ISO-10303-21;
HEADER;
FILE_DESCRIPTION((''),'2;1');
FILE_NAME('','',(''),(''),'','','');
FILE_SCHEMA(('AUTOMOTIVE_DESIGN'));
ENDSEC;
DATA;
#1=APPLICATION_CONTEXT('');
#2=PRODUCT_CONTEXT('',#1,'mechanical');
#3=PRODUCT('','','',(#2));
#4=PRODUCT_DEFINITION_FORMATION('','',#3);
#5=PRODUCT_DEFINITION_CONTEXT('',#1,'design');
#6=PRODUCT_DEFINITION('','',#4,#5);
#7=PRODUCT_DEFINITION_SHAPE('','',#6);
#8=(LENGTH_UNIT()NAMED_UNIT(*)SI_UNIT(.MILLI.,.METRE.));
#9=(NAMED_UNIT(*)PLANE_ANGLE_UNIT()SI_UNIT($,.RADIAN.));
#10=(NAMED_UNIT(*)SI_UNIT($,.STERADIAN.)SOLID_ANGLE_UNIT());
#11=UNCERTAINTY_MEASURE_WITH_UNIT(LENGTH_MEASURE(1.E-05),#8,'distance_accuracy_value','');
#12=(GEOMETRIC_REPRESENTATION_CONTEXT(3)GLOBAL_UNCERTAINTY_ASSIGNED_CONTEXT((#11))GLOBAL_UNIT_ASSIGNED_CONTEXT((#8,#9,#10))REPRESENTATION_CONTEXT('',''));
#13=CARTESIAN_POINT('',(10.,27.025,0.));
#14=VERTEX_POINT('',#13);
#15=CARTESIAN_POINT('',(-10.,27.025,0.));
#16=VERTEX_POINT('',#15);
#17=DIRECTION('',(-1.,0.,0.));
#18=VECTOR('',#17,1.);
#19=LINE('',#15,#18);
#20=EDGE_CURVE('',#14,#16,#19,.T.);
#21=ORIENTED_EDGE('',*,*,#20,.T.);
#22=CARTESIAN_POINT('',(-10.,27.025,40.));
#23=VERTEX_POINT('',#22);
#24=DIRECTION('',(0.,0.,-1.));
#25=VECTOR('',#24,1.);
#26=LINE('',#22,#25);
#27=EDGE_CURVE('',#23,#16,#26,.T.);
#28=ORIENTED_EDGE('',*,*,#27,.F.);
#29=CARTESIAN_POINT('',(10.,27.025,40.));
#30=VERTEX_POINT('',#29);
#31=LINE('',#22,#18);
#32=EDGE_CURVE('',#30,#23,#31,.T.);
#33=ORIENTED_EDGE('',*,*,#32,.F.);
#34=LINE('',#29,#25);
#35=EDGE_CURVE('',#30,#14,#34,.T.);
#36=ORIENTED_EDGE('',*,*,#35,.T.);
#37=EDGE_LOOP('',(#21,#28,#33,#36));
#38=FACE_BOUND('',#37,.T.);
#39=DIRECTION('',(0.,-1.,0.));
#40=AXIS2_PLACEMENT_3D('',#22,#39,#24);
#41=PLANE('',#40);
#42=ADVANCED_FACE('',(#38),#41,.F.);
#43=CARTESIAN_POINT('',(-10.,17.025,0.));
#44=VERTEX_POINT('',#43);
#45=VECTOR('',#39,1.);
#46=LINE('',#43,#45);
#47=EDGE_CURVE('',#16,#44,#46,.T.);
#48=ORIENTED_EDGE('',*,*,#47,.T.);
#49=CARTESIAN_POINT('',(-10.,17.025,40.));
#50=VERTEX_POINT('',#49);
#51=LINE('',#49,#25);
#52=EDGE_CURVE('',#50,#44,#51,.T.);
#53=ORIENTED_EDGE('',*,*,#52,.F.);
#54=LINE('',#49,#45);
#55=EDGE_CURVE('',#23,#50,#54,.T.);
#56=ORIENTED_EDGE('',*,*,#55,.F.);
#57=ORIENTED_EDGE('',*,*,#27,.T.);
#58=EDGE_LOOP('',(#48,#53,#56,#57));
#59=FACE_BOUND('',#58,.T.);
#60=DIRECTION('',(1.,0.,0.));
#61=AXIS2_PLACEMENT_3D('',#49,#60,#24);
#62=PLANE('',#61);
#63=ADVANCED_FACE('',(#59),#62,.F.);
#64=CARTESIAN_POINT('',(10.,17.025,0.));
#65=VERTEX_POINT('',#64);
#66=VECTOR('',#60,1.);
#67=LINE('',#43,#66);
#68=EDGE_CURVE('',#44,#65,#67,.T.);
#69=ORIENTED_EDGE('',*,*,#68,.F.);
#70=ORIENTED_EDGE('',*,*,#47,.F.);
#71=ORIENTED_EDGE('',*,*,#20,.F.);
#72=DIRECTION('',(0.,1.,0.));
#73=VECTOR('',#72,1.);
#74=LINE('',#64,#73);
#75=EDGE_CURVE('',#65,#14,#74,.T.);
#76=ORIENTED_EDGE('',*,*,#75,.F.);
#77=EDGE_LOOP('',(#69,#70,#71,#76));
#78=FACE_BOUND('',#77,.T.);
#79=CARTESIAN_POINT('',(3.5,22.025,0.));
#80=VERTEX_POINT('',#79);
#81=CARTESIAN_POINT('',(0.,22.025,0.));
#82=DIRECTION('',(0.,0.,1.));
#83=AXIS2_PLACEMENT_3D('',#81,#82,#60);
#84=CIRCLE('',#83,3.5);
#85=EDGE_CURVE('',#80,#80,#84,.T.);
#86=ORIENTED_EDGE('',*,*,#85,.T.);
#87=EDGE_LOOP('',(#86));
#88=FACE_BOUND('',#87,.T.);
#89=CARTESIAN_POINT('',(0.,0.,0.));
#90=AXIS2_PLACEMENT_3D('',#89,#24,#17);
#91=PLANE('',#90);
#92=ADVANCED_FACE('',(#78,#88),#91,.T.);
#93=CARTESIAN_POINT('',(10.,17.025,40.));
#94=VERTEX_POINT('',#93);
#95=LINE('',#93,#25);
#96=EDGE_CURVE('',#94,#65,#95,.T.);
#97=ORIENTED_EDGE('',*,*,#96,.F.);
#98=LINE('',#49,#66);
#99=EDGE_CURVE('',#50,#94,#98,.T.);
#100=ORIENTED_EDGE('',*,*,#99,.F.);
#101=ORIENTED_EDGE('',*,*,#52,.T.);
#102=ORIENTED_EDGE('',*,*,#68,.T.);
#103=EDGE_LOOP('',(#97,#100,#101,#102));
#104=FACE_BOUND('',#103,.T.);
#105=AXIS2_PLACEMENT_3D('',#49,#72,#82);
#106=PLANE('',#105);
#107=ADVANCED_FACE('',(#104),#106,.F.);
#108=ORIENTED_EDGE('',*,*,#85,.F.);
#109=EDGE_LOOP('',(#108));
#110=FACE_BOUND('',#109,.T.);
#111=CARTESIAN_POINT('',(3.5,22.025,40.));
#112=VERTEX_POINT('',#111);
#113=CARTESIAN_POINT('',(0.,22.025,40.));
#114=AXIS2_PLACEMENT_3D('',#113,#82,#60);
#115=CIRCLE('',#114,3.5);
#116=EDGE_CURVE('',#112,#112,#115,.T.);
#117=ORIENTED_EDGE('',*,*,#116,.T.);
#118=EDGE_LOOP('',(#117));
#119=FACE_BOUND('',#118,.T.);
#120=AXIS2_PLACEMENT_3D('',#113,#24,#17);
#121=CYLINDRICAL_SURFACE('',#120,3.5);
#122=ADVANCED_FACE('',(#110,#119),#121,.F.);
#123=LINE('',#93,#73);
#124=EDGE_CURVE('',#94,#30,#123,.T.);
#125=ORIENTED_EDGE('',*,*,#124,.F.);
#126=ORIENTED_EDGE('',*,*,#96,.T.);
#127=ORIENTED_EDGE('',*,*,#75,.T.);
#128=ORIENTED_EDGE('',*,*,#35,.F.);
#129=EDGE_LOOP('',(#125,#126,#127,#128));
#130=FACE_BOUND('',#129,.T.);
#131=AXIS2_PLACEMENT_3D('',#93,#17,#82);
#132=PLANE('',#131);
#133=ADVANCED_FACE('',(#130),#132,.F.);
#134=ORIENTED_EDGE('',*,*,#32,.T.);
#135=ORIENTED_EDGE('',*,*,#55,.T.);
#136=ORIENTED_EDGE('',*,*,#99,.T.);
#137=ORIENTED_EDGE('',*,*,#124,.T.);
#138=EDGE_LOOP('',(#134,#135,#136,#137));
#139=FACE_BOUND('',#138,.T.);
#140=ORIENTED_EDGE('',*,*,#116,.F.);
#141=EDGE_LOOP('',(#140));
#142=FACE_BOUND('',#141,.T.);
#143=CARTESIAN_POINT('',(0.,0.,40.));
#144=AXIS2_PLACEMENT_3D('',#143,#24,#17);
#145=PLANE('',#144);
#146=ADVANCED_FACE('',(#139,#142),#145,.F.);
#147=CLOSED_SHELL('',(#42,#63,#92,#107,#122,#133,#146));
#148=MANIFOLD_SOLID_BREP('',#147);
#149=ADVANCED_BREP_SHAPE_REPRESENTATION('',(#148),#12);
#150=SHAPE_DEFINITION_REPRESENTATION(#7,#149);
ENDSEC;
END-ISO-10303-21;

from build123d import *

# Parameters (mm, degrees)
SKETCH1_W           = 20
SKETCH1_H           = 10
SKETCH1_R           = 3.5
BOSS_EXTRUDE1_DEPTH = 40


with BuildPart() as part:
    # Sketch1 → Boss-Extrude1 (new body)
    with BuildSketch(Plane.XY):
        with Locations((0, 22.025)):
            Rectangle(SKETCH1_W, SKETCH1_H)
        with Locations((0, 22.025)):
            Circle(SKETCH1_R, mode=Mode.SUBTRACT)
    extrude(amount=BOSS_EXTRUDE1_DEPTH)


solid = part.part
